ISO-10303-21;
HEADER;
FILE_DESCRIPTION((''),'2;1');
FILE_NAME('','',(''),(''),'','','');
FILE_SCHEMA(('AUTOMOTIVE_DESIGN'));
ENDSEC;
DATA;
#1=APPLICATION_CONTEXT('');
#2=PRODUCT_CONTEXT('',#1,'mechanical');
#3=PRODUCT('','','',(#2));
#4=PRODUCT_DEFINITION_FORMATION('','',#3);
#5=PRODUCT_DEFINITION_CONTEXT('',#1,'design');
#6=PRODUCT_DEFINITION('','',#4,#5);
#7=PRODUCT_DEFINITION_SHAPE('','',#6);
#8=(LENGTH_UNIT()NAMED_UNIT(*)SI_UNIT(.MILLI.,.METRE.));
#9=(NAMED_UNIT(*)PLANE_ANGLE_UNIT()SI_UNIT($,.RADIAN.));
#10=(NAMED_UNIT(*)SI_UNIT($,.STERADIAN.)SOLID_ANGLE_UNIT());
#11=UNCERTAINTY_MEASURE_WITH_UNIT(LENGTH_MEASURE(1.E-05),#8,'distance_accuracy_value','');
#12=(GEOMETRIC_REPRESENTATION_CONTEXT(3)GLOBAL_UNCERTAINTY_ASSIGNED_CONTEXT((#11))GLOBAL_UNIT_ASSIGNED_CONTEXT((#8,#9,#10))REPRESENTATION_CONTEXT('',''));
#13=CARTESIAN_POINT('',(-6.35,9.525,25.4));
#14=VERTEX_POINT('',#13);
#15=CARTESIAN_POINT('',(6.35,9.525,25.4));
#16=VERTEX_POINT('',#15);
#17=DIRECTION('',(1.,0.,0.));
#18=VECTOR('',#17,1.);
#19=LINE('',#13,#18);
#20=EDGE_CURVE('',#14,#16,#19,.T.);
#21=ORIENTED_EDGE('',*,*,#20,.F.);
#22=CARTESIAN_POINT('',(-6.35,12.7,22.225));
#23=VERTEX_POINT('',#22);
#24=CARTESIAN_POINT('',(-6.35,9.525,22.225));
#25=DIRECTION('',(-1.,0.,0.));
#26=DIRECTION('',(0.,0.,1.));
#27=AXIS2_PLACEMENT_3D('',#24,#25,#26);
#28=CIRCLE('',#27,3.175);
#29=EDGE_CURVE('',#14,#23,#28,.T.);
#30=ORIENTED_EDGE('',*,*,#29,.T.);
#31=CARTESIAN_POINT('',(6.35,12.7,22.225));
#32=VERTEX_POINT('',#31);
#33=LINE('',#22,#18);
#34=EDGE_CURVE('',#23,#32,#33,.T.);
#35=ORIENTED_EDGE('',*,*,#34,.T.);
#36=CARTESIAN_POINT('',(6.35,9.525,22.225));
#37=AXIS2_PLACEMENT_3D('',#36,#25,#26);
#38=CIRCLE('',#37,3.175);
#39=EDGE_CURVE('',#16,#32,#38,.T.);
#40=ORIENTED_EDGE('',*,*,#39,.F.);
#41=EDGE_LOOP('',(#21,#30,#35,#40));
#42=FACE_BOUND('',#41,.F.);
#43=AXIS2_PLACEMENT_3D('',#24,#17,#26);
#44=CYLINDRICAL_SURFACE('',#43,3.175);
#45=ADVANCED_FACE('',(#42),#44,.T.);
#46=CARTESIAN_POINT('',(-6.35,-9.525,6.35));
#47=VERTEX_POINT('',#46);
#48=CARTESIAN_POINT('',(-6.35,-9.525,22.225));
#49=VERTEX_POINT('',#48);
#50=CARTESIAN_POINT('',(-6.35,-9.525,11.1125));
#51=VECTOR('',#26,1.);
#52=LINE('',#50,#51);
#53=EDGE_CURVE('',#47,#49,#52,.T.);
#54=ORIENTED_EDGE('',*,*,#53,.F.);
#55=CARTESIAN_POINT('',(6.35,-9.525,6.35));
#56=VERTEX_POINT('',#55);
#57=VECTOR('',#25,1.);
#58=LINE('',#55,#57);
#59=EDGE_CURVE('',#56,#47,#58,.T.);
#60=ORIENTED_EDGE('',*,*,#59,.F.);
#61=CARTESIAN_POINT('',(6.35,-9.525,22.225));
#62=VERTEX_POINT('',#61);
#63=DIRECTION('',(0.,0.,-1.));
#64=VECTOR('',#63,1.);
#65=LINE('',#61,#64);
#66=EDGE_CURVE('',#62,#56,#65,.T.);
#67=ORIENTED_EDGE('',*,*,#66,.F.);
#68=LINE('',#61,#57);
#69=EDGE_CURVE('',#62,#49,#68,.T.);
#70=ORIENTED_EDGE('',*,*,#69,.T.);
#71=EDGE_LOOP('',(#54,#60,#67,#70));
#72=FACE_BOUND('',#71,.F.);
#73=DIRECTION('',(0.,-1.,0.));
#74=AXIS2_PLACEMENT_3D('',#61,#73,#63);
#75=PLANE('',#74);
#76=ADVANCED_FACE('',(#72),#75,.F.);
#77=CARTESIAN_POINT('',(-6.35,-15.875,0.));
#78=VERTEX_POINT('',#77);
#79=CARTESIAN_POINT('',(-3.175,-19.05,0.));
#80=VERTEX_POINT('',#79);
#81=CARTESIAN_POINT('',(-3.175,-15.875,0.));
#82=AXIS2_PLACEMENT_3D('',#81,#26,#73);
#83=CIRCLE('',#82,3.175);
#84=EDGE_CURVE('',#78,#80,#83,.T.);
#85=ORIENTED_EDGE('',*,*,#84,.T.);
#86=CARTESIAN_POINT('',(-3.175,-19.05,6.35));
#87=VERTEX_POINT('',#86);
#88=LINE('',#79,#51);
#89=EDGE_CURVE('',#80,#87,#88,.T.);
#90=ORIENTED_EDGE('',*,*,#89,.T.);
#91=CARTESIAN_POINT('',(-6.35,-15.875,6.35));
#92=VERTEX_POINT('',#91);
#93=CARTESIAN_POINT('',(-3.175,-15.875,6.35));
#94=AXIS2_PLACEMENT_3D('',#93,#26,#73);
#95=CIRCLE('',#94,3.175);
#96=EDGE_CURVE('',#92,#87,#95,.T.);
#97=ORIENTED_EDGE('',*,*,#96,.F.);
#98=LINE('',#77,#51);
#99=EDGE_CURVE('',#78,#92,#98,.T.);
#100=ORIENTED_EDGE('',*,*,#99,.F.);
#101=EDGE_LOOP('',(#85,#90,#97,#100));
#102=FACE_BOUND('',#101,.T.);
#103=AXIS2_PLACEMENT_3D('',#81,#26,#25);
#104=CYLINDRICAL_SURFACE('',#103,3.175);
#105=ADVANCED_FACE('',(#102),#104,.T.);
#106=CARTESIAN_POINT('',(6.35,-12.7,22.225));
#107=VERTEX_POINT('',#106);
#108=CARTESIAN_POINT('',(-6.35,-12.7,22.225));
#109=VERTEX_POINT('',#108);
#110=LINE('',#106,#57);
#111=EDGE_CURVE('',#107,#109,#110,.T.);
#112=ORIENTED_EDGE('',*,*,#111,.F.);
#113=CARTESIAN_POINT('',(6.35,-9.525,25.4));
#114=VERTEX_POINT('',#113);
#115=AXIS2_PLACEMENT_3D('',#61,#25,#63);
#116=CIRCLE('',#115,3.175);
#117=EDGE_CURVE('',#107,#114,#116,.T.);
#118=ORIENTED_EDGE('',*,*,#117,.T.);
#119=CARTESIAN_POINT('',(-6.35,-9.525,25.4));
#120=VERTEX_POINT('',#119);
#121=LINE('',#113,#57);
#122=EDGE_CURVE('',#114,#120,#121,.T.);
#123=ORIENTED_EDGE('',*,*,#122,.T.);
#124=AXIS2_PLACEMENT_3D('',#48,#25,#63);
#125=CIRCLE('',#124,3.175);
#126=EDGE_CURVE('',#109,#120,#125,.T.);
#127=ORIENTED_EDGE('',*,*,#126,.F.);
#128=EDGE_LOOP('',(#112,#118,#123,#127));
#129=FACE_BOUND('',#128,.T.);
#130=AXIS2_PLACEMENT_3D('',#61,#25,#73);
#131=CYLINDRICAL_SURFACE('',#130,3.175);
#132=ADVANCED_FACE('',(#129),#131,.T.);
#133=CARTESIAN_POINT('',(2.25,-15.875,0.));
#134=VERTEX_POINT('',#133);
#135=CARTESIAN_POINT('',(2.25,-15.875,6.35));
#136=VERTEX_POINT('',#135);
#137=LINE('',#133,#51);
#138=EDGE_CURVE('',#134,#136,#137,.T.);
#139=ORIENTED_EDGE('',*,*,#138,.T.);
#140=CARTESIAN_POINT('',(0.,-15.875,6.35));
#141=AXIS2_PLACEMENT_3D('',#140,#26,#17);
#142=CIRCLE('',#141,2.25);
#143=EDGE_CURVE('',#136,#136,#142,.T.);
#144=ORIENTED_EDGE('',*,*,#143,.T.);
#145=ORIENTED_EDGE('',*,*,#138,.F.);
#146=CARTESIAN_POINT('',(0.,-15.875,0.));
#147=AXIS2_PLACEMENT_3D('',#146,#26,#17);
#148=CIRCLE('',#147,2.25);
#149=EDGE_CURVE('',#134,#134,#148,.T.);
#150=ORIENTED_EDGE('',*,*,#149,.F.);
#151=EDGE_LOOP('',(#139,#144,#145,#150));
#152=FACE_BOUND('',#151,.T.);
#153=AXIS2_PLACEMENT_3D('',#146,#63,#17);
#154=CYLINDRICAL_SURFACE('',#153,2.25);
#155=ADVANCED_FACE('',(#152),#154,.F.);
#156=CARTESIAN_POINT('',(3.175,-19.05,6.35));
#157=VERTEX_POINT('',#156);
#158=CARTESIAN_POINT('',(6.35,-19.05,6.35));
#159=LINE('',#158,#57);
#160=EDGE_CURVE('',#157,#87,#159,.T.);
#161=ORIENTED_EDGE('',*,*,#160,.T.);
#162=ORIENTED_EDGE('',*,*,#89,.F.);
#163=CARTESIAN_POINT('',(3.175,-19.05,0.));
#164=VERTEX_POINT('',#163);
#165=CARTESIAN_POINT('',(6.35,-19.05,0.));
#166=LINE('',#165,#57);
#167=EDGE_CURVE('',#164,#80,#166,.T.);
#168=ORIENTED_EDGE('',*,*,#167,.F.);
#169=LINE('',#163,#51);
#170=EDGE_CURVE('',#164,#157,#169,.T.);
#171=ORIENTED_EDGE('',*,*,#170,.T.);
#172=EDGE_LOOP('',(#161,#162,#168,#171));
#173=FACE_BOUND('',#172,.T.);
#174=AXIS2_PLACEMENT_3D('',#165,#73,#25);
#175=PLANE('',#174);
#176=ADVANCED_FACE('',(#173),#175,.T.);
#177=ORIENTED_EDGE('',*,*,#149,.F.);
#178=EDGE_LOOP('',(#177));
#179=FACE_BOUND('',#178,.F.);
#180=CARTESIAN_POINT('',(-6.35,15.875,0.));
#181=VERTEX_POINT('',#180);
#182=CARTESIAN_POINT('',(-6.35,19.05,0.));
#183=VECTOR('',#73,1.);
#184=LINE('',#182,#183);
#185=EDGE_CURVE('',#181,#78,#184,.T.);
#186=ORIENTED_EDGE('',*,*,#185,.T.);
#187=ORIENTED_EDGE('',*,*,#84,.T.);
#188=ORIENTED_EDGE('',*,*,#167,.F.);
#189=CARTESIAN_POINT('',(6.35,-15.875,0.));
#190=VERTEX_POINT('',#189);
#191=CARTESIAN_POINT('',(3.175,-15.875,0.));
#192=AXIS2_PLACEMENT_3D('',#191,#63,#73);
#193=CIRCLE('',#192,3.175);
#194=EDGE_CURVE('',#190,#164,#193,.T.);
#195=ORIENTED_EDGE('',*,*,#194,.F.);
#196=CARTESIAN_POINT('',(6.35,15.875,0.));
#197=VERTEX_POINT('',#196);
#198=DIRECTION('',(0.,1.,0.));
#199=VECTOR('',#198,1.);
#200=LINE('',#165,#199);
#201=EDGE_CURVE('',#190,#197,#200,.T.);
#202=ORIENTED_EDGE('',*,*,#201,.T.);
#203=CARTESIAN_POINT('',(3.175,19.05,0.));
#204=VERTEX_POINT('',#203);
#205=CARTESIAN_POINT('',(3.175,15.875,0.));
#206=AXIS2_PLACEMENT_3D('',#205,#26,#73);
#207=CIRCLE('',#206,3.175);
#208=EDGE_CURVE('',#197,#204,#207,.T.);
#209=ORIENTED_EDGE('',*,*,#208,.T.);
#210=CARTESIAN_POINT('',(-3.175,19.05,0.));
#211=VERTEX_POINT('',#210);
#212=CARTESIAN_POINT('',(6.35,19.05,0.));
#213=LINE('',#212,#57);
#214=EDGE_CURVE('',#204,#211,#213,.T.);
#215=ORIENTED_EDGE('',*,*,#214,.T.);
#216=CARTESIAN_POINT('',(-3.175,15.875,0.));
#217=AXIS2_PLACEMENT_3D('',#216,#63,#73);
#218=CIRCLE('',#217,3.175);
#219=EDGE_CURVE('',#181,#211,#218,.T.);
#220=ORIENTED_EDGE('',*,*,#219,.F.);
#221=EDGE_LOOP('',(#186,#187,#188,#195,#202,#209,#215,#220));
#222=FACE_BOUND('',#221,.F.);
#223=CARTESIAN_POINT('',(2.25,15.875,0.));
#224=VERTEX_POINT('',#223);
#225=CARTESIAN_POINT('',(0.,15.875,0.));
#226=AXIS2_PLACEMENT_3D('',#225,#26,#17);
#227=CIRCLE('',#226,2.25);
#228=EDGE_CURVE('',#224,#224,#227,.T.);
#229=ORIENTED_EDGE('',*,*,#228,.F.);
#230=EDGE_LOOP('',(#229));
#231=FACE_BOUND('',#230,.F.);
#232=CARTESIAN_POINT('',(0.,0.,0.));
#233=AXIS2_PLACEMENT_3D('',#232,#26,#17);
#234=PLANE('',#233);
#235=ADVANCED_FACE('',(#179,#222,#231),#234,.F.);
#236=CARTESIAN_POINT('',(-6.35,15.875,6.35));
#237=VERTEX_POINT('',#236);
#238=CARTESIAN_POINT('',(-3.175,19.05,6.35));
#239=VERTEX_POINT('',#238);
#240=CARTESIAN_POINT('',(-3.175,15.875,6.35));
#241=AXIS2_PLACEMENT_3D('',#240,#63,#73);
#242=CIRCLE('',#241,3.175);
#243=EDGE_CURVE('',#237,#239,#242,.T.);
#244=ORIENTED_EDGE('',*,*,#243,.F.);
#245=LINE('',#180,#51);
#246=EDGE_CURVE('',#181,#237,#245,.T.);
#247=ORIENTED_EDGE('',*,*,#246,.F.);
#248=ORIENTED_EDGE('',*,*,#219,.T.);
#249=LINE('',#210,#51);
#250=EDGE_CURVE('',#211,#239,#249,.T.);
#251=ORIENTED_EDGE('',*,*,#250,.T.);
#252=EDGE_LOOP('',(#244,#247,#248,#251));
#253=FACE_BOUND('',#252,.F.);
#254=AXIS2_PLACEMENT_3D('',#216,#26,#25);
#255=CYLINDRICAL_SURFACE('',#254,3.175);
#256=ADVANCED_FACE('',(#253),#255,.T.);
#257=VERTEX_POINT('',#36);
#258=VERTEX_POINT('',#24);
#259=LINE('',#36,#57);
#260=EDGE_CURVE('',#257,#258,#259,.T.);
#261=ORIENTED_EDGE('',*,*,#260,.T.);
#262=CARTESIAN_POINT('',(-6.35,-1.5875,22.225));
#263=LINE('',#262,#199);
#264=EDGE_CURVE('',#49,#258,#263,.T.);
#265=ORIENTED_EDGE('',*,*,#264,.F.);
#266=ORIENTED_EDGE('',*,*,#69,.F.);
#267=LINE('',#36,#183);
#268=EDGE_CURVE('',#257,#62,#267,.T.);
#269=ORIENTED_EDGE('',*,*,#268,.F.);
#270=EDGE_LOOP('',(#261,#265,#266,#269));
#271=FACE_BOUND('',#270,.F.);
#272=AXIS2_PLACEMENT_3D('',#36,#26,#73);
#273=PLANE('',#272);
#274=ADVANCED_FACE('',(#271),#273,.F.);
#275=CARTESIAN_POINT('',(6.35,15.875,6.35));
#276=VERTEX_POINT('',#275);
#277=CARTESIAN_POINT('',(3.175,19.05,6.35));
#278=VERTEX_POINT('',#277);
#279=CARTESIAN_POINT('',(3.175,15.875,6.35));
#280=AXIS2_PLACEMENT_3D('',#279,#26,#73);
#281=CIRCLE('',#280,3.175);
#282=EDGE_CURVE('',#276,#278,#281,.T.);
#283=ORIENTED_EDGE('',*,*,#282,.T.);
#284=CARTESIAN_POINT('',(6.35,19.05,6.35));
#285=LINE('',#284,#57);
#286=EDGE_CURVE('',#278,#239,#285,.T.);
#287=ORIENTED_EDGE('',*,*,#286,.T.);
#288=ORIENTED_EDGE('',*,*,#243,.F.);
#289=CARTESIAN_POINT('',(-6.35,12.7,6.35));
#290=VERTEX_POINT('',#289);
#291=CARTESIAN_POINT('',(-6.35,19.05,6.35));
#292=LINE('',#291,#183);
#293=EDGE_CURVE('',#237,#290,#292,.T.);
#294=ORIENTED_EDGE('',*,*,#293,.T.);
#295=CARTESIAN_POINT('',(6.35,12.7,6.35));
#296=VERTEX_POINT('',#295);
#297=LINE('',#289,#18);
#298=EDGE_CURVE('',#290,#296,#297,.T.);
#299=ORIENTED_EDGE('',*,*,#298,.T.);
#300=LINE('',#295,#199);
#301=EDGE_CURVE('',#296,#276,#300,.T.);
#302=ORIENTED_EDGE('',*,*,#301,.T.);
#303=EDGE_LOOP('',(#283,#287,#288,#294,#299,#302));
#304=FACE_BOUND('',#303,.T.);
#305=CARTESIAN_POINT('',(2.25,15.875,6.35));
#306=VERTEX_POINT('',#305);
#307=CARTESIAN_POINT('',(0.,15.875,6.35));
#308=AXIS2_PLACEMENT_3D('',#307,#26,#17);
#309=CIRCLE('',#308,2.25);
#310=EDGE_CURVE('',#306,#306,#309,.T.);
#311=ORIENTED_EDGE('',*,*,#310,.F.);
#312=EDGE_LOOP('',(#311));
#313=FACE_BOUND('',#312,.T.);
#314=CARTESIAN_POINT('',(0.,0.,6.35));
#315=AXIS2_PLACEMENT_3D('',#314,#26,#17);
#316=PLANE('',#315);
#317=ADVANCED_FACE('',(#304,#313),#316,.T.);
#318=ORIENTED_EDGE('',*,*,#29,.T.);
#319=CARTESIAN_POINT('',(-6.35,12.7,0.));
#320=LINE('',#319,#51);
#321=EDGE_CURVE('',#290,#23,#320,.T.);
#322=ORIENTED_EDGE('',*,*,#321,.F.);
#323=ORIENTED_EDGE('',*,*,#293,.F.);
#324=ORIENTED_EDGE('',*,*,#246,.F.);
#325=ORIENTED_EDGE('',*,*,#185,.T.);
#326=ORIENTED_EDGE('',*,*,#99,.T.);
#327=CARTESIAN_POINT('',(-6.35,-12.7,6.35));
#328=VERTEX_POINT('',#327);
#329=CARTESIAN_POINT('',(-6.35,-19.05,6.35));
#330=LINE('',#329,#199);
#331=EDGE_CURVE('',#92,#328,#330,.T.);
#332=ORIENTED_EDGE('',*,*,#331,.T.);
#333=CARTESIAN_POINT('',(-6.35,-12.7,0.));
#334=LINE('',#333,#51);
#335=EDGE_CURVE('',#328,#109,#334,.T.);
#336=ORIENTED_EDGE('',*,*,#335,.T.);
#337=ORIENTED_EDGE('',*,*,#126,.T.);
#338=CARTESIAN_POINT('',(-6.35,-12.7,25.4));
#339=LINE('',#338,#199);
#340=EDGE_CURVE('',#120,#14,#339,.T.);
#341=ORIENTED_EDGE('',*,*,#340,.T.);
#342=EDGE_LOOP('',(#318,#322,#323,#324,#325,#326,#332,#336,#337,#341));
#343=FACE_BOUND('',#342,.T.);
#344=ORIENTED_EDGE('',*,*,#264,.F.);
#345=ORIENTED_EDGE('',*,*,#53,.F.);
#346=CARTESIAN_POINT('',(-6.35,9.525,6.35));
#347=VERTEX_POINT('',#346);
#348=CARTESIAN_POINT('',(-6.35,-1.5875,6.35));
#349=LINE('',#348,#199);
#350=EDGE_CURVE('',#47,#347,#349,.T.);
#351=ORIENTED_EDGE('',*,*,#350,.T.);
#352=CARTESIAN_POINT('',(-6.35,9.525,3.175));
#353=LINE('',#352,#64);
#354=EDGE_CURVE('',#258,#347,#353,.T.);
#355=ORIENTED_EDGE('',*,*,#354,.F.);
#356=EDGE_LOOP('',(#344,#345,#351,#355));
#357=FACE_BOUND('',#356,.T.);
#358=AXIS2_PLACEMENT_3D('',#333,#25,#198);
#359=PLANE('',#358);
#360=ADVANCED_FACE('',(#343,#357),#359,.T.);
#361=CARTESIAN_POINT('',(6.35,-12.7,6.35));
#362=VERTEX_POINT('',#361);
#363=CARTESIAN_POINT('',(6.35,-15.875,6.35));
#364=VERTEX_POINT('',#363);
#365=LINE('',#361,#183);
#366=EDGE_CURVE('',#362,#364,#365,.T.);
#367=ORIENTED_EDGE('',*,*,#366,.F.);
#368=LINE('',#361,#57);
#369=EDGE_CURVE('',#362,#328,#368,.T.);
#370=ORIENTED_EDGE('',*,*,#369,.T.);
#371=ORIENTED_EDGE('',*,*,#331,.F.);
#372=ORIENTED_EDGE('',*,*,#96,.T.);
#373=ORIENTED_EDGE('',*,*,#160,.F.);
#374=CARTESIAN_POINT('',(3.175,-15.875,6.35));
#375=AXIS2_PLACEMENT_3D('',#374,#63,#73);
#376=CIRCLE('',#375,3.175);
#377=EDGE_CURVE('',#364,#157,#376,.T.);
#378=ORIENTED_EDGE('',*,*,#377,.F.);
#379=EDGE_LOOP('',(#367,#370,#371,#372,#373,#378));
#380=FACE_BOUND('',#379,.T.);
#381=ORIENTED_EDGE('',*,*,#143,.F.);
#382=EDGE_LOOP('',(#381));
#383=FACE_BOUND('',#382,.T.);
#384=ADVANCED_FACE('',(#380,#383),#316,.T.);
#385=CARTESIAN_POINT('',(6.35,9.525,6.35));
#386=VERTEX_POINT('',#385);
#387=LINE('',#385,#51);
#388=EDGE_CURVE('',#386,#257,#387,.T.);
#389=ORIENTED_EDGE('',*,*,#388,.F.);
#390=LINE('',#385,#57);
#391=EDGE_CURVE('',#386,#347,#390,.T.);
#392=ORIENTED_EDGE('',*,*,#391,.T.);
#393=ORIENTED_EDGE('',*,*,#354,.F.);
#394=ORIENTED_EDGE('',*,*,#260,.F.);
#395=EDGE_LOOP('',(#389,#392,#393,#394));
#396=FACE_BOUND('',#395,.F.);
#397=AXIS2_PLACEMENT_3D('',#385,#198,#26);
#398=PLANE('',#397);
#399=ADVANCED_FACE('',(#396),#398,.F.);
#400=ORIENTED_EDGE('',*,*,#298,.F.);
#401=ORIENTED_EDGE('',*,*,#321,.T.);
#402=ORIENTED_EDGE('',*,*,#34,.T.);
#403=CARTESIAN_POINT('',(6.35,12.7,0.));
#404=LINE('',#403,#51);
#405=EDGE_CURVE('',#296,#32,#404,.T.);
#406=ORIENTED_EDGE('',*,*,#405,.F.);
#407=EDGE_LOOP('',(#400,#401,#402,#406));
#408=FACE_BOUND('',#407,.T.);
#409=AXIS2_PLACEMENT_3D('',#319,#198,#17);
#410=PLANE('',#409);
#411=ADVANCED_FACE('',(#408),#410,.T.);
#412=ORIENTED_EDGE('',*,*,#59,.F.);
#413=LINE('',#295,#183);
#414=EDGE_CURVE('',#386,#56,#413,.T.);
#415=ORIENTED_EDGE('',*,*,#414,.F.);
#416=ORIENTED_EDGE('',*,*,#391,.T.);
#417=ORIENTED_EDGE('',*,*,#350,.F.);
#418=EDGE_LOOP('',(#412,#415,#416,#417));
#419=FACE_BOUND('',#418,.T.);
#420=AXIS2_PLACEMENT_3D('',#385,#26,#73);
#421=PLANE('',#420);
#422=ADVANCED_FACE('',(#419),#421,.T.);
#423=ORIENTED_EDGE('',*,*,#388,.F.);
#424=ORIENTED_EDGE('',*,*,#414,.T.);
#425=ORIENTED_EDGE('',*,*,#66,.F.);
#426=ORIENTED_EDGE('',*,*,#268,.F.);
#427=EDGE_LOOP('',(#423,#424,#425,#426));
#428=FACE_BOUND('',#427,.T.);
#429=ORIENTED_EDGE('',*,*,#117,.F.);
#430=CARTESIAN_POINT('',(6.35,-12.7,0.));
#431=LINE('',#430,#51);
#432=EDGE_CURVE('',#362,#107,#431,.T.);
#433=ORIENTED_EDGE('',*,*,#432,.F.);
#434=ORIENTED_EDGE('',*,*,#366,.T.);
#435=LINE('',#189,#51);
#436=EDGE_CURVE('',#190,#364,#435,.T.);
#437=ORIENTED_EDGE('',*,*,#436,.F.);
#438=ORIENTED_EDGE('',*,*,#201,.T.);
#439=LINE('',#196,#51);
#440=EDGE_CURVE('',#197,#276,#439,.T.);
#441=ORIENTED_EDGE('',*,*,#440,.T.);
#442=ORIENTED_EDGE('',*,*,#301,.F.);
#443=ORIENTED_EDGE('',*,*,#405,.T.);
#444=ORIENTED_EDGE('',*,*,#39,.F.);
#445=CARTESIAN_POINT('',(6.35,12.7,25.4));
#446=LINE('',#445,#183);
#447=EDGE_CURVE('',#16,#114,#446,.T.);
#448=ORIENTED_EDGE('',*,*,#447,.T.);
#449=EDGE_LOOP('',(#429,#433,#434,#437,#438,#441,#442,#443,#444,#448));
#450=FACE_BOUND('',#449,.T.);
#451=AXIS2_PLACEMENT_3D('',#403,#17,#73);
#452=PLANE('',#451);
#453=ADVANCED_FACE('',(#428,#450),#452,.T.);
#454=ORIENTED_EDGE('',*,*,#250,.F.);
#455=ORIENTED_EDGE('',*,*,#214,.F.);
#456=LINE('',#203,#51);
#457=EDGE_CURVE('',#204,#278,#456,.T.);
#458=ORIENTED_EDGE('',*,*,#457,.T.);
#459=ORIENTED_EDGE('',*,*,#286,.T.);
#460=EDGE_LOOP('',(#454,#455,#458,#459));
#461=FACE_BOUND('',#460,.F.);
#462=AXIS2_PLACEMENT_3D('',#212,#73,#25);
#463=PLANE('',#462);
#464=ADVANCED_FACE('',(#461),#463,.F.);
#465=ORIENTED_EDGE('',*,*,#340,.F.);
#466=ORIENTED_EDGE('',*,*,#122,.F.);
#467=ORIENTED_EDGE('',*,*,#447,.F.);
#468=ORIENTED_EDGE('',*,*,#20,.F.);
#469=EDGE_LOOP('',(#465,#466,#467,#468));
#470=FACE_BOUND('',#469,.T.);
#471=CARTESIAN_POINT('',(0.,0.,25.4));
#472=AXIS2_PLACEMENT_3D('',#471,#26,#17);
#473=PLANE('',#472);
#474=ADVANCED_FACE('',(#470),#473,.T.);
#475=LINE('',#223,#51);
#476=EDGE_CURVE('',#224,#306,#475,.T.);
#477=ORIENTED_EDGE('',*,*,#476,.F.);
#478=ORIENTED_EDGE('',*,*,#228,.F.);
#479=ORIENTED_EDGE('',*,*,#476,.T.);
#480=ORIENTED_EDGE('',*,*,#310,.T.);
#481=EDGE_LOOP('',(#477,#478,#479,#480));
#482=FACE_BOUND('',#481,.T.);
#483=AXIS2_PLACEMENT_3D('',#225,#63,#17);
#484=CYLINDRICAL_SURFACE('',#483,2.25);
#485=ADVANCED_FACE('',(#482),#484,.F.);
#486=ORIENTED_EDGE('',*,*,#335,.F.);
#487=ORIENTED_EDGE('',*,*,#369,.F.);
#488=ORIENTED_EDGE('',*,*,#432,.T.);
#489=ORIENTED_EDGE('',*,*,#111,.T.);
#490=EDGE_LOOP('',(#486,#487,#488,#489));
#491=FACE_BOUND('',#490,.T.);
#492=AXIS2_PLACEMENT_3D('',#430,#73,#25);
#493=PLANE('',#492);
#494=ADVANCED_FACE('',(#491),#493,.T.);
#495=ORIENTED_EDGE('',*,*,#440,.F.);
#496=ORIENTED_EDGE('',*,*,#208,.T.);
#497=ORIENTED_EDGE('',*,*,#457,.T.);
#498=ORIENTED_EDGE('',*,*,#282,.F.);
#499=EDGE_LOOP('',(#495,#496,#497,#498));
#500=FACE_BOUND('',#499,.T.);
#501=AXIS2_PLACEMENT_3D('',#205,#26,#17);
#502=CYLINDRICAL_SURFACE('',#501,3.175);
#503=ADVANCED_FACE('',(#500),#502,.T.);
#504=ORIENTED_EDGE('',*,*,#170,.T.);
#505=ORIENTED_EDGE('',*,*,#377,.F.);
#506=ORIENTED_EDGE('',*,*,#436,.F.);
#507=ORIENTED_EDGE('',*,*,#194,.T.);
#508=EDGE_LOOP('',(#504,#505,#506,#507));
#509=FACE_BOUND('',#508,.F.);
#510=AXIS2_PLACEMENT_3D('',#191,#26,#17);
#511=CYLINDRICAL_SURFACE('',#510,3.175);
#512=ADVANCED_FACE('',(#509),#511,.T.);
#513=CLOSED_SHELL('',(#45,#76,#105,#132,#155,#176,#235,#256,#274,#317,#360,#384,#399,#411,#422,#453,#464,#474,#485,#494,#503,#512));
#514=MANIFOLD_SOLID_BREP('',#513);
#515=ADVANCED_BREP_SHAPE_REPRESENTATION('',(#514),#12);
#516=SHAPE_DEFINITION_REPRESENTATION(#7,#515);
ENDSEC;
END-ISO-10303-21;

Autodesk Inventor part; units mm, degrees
ref_plane "YZ Plane" through (0, 0, 0) normal (1, 0, 0) x (0, 1, 0)
ref_plane "XZ Plane" through (0, 0, 0) normal (0, 1, 0) x (-1, 0, 0)
ref_plane "XY Plane" through (0, 0, 0) normal (0, 0, 1) x (1, 0, 0)
sketch "Sketch1" plane through (0, 0, 0) normal (0, 0, 1) x (1, 0, 0)
  line L0 (6.35, -12.7) -> (-6.35, -12.7)
  line L1 (-6.35, -12.7) -> (-6.35, 12.7)
  line L2 (-6.35, 12.7) -> (6.35, 12.7)
  line L3 (6.35, 12.7) -> (6.35, -12.7)
  line L4 (6.35, -12.7) -> (-6.35, 12.7) construction
  line L5 (-6.35, -12.7) -> (6.35, 12.7) construction
  line L6 (-6.35, 12.7) -> (6.35, 12.7)
  line L7 (6.35, 12.7) -> (6.35, 19.05)
  line L8 (6.35, 19.05) -> (-6.35, 19.05)
  line L9 (-6.35, 19.05) -> (-6.35, 12.7)
  line L10 (-6.35, -12.7) -> (6.35, -12.7)
  line L11 (6.35, -12.7) -> (6.35, -19.05)
  line L12 (6.35, -19.05) -> (-6.35, -19.05)
  line L13 (-6.35, -19.05) -> (-6.35, -12.7)
  circle A0 centre (0, 15.875) radius 2.25
  circle A1 centre (0, -15.875) radius 2.25
  point P0 (0, 0)
  dimension "d0" = 12.7
  dimension "d1" = 25.4
  dimension "d2" = 6.35
  dimension "d3" = 6.35
  dimension "d4" = 4.5
  dimension "d5" = 4.5
extrude "Extrusion1" add sketch "Sketch1" along normal blind 6.35 contours L11 L12 L13 L0 | L2 L9 L8 L7
extrude "Extrusion2" add sketch "Sketch1" along normal blind 25.4 contours L0 L1 L2 L3
sketch "Sketch2" plane through (6.35, -19.05, 0) normal (1, 0, 0) x (0, 0, -1)
  line L0 (0, 0) -> (0, 38.1) projected
  line L1 (0, 38.1) -> (-6.35, 38.1) projected
  line L2 (-6.35, 31.75) -> (-6.35, 38.1) projected
  line L3 (-6.35, 31.75) -> (-25.4, 31.75) projected
  line L4 (-25.4, 6.35) -> (-25.4, 31.75) projected
  line L5 (-6.35, 6.35) -> (-25.4, 6.35) projected
  line L6 (-6.35, 0) -> (-6.35, 6.35) projected
  line L7 (0, 0) -> (-6.35, 0) projected
  line L8 (-6.35, 38.1) -> (-6.35, 31.75) projected
  line L9 (-6.35, 6.35) -> (-6.35, 0) projected
  line L10 (-6.35, 31.75) -> (-6.35, 6.35)
  line L11 (-6.35, 28.575) -> (-22.225, 28.575)
  line L12 (-22.225, 28.575) -> (-22.225, 9.525)
  line L13 (-22.225, 9.525) -> (-6.35, 9.525)
  point P0 (0, 19.05)
  dimension "d10" = 3.175
extrude "Extrusion3" cut sketch "Sketch2" against normal through all contours L13 L12 L11 L10
fillet "Fillet1" radius 3.175 6 edges at (-6.35, 19.05, 3.175) (6.35, 19.05, 3.175) (0, 12.7, 25.4) (0, -12.7, 25.4) (6.35, -19.05, 3.175) (-6.35, -19.05, 3.175)
properties part number "Latch_For_Climb_And_Drone"
